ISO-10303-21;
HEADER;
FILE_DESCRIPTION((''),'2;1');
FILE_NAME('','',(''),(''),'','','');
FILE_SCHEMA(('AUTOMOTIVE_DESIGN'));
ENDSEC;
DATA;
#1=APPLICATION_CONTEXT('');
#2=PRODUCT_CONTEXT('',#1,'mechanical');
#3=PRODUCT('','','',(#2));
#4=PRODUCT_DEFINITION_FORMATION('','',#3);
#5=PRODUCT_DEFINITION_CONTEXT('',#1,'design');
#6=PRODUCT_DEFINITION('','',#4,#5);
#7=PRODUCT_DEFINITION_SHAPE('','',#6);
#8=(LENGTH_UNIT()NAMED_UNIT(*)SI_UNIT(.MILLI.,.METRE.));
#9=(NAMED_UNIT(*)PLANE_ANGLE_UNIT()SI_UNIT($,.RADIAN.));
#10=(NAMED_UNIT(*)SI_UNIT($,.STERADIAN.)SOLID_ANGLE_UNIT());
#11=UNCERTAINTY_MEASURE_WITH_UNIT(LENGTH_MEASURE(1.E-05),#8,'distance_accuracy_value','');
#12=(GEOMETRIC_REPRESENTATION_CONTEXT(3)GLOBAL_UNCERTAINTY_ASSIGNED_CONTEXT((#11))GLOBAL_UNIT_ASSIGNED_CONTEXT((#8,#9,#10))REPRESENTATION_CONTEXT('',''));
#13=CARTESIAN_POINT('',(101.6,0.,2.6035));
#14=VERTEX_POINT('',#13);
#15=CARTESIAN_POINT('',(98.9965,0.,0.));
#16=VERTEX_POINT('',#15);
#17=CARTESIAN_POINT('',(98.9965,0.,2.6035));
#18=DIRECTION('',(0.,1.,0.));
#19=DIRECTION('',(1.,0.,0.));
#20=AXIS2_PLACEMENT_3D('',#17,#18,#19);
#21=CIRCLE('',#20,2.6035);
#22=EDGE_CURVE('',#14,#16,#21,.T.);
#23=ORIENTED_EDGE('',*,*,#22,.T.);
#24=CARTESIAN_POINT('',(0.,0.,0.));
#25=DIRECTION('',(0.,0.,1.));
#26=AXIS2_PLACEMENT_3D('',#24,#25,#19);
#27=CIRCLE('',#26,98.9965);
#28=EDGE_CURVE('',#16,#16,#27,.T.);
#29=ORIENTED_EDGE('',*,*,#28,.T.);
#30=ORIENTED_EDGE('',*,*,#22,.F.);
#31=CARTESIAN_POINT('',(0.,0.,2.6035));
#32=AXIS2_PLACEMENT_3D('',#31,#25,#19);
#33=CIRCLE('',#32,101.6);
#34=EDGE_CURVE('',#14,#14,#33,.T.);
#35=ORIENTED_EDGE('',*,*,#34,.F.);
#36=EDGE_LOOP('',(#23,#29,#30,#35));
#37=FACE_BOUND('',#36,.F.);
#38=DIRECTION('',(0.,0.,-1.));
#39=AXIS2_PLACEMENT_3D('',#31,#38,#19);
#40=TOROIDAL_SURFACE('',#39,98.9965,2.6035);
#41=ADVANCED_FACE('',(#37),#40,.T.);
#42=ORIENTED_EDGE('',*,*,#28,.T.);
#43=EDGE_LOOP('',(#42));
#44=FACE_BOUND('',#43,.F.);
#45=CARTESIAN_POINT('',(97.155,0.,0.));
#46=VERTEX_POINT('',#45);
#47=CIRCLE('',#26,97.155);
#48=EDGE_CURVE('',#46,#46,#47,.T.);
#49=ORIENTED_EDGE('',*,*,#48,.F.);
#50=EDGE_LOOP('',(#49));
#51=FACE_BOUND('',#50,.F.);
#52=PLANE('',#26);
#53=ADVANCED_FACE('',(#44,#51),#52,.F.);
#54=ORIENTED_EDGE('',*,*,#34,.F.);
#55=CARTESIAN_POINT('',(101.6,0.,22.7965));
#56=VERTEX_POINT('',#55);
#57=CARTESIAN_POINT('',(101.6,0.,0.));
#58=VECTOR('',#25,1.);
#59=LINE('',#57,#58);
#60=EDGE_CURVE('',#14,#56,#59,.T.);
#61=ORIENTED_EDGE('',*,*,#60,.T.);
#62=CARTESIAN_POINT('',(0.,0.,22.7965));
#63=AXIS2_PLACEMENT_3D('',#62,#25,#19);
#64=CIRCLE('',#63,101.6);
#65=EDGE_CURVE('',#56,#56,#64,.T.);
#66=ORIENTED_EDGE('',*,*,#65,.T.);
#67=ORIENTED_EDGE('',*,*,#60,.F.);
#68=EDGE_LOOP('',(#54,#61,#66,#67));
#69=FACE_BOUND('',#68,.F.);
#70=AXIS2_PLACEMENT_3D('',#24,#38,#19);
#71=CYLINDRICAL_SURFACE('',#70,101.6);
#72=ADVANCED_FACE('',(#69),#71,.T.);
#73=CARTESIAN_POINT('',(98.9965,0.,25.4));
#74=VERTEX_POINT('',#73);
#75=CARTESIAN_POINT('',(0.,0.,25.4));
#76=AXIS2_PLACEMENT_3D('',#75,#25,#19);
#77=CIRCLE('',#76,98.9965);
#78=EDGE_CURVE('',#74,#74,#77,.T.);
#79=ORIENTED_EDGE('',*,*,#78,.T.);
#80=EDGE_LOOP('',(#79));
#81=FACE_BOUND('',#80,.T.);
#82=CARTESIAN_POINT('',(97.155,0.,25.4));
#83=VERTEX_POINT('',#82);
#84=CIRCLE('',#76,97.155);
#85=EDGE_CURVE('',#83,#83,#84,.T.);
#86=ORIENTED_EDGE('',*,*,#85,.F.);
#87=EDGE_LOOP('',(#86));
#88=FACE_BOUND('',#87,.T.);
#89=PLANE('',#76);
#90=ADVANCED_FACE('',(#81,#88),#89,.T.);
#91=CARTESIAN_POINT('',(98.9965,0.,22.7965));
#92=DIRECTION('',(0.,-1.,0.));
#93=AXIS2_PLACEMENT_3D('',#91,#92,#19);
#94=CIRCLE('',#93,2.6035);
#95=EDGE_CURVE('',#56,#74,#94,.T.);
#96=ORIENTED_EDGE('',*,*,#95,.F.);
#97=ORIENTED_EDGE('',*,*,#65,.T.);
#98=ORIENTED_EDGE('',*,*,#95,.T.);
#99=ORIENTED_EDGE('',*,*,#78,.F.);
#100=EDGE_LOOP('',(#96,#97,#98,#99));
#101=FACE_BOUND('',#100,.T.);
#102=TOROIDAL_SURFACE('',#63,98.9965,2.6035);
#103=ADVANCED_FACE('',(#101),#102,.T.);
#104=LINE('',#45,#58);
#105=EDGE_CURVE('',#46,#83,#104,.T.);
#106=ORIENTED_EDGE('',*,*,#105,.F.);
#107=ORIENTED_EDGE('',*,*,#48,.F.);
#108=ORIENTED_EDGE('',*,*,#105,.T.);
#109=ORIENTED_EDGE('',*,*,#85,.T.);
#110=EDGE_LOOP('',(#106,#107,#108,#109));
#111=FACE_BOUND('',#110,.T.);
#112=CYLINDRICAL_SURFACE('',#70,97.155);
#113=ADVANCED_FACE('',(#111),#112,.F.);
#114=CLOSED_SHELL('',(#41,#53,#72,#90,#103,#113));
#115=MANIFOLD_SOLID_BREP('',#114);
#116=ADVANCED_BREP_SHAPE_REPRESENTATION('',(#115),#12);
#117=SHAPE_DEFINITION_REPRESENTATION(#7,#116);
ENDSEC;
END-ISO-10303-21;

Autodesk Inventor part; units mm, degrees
ref_plane "YZ Plane" through (0, 0, 0) normal (1, 0, 0) x (0, 1, 0)
ref_plane "XZ Plane" through (0, 0, 0) normal (0, 1, 0) x (-1, 0, 0)
ref_plane "XY Plane" through (0, 0, 0) normal (0, 0, 1) x (1, 0, 0)
sketch "Sketch1" plane through (0, 0, 0) normal (0, 0, 1) x (1, 0, 0)
  circle A0 centre (0, 0) radius 101.6
  circle A1 centre (0, 0) radius 97.155
  dimension "d0" = 203.2
  dimension "d1" = 194.31
extrude "Extrusion1" add sketch "Sketch1" along normal blind 25.4
fillet "Fillet1" radius 2.6035 2 edges at (-101.6, 0, 25.4) (-101.6, 0, 0)
properties part number "Wheel_Rim" material "Rubber"
